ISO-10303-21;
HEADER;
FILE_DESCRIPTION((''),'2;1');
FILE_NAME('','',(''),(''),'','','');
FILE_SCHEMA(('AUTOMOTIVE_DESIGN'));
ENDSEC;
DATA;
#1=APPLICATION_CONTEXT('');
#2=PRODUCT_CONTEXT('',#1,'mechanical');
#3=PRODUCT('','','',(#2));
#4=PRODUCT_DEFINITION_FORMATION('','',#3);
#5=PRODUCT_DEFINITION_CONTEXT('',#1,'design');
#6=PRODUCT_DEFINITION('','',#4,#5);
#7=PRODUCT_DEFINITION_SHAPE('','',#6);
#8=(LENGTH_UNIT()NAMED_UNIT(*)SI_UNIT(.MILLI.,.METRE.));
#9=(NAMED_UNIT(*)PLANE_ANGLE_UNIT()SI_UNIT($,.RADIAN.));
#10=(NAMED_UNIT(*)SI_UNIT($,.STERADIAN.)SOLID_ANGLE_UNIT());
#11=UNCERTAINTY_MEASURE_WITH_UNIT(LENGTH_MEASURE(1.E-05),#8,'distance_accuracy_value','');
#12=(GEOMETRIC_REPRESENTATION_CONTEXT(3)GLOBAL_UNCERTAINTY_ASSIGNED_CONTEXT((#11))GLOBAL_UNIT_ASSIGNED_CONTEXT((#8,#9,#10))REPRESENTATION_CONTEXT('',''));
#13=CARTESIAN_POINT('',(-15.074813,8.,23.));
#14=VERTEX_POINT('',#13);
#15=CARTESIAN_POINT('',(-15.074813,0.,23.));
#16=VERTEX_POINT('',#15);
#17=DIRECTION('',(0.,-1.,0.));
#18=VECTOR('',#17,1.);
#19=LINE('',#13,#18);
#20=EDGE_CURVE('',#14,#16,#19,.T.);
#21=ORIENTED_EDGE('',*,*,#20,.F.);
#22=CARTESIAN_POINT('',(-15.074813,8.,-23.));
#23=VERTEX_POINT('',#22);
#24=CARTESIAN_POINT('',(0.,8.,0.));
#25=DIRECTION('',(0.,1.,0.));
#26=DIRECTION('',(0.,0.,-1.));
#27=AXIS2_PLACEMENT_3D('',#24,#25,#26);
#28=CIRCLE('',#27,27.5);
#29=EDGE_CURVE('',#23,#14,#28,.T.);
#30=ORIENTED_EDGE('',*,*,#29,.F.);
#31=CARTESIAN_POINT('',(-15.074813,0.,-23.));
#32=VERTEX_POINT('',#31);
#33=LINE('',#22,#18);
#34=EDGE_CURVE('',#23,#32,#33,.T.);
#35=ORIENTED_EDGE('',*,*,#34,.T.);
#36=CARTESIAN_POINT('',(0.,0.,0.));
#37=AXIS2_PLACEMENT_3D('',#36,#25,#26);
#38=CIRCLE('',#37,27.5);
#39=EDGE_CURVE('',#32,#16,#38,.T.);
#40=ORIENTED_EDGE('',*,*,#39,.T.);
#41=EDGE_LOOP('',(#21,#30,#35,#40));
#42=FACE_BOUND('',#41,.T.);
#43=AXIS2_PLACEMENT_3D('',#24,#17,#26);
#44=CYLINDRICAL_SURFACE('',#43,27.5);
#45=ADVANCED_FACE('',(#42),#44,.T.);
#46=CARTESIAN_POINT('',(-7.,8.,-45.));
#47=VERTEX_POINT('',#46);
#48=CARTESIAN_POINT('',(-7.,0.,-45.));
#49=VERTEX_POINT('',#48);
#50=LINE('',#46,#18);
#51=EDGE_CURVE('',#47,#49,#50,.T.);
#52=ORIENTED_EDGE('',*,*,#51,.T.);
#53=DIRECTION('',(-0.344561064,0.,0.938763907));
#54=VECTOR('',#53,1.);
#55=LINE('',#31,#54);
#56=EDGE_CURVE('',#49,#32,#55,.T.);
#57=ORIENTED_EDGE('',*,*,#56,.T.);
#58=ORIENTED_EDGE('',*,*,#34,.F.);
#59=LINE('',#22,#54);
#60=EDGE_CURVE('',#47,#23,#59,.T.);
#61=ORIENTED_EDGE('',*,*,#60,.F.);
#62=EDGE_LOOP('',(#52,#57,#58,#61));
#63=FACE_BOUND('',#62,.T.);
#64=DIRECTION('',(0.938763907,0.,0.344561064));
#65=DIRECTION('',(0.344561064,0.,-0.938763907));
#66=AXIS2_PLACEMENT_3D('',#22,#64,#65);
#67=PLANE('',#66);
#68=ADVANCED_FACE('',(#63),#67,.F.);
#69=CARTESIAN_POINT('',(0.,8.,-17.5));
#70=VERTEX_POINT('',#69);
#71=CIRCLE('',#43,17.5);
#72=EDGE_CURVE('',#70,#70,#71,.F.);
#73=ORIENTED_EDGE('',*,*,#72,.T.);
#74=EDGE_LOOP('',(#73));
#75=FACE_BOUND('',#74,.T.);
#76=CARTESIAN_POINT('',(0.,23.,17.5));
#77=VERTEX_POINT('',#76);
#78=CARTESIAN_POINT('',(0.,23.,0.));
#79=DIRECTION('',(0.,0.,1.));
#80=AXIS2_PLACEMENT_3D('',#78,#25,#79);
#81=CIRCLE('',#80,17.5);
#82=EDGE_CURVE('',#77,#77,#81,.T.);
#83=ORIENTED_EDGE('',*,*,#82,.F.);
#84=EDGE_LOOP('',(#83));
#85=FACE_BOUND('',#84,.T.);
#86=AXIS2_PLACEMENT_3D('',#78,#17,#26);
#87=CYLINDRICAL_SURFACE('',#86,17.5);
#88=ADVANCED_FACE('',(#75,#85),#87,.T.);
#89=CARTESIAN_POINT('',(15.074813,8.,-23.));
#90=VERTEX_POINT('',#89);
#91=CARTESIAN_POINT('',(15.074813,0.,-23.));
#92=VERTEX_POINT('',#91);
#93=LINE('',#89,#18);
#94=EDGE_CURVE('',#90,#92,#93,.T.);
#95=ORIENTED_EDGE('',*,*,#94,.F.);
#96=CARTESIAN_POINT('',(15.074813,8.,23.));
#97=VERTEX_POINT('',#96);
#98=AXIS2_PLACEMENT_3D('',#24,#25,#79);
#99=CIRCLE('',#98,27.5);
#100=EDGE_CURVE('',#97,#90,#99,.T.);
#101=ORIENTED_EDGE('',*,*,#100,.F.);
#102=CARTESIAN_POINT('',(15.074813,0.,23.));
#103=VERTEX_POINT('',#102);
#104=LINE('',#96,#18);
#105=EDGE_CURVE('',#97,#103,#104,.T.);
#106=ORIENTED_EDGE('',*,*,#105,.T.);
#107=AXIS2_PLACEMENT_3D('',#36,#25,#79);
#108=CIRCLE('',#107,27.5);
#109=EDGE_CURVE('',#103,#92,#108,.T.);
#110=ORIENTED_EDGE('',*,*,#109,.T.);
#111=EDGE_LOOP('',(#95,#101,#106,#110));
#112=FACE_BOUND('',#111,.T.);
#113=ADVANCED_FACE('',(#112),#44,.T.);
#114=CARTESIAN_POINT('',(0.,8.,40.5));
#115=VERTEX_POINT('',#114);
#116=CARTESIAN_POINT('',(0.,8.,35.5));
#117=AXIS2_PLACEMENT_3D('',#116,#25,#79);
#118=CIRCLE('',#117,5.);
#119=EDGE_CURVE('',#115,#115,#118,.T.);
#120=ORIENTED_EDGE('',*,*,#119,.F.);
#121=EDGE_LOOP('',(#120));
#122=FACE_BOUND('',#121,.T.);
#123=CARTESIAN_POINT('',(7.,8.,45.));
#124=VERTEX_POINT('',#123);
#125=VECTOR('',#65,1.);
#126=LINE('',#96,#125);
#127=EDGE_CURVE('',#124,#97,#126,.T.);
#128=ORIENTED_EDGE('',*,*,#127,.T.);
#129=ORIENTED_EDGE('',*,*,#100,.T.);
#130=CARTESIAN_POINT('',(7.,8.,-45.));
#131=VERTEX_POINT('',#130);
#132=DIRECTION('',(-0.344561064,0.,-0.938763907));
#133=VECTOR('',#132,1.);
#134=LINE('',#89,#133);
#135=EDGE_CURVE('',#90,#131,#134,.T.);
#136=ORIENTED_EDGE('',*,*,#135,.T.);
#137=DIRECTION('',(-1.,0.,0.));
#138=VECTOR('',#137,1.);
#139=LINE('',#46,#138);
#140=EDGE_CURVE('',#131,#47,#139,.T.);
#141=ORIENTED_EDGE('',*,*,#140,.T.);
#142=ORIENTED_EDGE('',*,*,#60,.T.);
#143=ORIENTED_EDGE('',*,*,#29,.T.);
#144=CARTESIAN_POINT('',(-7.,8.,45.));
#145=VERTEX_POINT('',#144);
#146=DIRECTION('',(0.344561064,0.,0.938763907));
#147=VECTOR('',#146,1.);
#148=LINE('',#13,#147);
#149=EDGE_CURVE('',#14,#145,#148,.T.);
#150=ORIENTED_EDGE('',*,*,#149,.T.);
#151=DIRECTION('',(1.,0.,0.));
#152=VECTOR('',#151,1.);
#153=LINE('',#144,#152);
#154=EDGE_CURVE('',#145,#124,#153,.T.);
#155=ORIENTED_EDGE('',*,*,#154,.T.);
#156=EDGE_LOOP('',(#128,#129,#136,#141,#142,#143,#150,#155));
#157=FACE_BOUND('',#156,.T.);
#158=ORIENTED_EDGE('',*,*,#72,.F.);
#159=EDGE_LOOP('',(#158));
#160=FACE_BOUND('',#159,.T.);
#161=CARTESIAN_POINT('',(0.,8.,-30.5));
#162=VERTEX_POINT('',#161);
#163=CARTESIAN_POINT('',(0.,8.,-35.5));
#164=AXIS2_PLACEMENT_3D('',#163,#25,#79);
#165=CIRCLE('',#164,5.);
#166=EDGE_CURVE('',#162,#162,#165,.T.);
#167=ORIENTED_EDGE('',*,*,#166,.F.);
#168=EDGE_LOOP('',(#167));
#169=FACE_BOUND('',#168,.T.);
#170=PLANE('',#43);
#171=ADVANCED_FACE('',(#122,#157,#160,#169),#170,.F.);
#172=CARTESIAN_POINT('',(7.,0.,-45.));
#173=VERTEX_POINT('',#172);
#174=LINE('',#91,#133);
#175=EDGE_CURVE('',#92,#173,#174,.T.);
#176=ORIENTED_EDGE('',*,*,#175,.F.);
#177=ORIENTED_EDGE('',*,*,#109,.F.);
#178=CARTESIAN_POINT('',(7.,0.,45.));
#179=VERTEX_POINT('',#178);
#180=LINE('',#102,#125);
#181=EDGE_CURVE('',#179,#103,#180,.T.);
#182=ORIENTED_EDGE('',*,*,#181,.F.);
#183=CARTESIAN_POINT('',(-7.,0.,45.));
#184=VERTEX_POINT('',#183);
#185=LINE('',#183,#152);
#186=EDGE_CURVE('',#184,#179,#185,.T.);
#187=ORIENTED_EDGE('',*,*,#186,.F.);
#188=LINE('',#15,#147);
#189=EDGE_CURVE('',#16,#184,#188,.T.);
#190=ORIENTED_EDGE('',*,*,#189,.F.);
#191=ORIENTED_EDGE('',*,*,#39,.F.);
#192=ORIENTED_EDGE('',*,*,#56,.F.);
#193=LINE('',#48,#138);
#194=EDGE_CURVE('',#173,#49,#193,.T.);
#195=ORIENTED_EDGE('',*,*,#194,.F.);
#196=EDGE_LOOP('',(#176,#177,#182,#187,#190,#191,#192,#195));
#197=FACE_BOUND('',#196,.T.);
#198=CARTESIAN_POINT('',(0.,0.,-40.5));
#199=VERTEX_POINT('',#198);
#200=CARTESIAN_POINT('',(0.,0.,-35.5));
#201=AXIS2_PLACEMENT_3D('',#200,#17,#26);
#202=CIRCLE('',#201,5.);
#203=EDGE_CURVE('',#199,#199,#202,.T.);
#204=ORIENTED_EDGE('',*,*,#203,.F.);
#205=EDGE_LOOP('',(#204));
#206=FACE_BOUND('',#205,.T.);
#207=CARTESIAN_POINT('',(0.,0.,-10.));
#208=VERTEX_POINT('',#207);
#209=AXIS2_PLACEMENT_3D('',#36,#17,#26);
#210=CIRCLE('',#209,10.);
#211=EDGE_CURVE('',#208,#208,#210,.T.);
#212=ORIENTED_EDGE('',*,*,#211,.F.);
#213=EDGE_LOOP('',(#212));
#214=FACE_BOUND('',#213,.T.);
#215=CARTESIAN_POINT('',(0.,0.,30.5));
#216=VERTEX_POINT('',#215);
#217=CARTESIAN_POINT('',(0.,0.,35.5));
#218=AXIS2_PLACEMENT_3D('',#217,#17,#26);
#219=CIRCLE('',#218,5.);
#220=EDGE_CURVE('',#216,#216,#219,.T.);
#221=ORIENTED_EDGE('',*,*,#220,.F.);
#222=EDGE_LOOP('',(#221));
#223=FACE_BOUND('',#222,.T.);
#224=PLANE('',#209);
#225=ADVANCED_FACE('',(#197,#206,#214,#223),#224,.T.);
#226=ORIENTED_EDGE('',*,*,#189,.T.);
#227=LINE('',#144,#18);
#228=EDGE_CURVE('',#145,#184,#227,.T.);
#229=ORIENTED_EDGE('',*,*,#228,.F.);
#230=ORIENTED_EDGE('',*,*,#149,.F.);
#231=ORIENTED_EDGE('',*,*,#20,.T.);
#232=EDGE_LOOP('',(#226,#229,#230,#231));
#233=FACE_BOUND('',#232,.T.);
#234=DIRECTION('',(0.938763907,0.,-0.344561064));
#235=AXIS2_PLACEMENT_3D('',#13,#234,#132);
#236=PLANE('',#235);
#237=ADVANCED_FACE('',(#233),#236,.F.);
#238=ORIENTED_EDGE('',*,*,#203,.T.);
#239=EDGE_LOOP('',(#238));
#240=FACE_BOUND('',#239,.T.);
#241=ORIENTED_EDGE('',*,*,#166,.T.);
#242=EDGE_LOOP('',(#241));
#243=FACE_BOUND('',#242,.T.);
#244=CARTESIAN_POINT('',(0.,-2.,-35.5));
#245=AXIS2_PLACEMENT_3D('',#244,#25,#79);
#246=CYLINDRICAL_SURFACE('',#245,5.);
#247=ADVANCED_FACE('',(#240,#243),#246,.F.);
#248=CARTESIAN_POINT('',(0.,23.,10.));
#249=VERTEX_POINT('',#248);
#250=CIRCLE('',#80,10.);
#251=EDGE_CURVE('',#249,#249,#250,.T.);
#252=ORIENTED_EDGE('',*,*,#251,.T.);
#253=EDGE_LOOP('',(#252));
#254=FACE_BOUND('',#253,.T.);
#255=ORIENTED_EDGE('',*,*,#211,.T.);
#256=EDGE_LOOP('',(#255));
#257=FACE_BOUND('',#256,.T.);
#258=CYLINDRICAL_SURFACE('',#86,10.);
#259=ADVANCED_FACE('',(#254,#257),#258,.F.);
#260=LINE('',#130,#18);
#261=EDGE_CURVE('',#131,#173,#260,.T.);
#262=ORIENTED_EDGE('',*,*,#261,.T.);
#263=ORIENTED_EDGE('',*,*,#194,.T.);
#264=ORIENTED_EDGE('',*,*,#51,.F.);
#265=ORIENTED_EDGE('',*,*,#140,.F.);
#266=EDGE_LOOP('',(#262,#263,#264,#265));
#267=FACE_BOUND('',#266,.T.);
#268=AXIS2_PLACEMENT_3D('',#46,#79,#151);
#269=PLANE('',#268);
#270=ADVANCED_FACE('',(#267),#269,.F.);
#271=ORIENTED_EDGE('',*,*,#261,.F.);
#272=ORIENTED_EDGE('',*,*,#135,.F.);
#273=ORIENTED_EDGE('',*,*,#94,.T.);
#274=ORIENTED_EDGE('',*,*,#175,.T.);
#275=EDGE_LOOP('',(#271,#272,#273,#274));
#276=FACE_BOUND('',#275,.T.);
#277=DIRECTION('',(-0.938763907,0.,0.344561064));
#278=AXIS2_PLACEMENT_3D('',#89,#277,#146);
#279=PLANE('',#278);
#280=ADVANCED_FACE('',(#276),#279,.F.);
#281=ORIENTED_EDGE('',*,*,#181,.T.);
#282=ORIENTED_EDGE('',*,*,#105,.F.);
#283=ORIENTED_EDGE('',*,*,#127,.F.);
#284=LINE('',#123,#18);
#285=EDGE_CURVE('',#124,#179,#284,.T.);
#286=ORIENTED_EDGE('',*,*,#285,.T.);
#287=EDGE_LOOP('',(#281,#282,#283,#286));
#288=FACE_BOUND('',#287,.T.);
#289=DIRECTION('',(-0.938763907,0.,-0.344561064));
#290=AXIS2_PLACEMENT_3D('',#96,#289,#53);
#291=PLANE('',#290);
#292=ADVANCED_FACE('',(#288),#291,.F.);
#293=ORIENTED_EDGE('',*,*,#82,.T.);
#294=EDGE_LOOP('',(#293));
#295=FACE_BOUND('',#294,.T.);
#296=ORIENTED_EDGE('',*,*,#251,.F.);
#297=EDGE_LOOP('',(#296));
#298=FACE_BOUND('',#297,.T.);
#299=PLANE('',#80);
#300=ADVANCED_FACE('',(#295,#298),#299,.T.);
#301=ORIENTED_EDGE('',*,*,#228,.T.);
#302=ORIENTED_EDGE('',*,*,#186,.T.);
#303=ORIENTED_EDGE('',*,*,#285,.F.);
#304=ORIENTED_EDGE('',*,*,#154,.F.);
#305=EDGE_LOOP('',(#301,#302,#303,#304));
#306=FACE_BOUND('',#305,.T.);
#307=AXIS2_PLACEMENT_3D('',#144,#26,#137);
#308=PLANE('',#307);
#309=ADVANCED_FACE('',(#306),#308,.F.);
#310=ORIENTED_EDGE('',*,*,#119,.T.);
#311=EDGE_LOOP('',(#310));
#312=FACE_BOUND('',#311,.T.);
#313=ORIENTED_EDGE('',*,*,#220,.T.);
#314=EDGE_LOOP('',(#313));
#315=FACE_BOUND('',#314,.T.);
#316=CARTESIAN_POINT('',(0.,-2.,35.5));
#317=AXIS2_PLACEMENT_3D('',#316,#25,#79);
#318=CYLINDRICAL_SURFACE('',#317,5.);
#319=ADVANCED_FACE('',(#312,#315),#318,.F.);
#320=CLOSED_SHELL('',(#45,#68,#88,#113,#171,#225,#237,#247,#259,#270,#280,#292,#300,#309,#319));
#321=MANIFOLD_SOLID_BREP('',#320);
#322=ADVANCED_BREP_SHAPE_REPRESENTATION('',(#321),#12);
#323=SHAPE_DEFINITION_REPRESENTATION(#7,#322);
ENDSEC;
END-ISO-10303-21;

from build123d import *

# Parameters (mm, degrees)
BOSS_EXTRU_1_DEPTH      = 8
ESQUISSE2_R             = 17.5
ESQUISSE2_R_2           = 10
BOSS_EXTRU_2_DEPTH      = 15
ENL_V_START             = -10
ESQUISSE3_R             = 10
ENL_V_MAT_EXTRU_1_DEPTH = 10
ESQUISSE4_R             = 5
ENL_V_MAT_EXTRU_2_DEPTH = 10


with BuildPart() as part:
    # Esquisse1 → Boss.-Extru.1 (new body)
    with BuildSketch(Plane(origin=(0, 0, 0), x_dir=(1, 0, 0), z_dir=(0, 1, 0))):
        with BuildLine():
            Line((-15.074813432, 23), (-7, 45))
            Line((-7, 45), (7, 45))
            Line((7, 45), (15.074813432, 23))
            ThreePointArc((15.074813432, 23), (27.5, 0), (15.074813432, -23))
            Line((15.074813432, -23), (7, -45))
            Line((7, -45), (-7, -45))
            Line((-7, -45), (-15.074813432, -23))
            ThreePointArc((-15.074813432, -23), (-27.5, 0), (-15.074813432, 23))
        make_face()
    extrude(amount=BOSS_EXTRU_1_DEPTH)

    # Esquisse2 → Boss.-Extru.2 (add)
    with BuildSketch(Plane(origin=(0, 8, 0), x_dir=(1, 0, 0), z_dir=(0, 1, 0))):
        with Locations(Location((0, 0, 0), (0, 0, 90))):
            Circle(ESQUISSE2_R)
        with Locations(Location((0, 0, 0), (0, 0, 270))):
            Circle(ESQUISSE2_R_2, mode=Mode.SUBTRACT)
    extrude(amount=BOSS_EXTRU_2_DEPTH)

    # Esquisse3 → Enlèv. mat.-Extru.1 (cut)
    with BuildSketch(Plane(origin=(0, 8, 0), x_dir=(1, 0, 0), z_dir=(0, 1, 0)).offset(ENL_V_START)):
        with Locations(Location((0, 0, 0), (0, 0, 90))):
            Circle(ESQUISSE3_R)
    extrude(amount=ENL_V_MAT_EXTRU_1_DEPTH, mode=Mode.SUBTRACT)

    # Esquisse4 → Enlèv. mat.-Extru.2 (cut)
    with BuildSketch(Plane(origin=(0, 8, 0), x_dir=(1, 0, 0), z_dir=(0, 1, 0))):
        with Locations(Location((0, 35.5, 0), (0, 0, 270))):
            Circle(ESQUISSE4_R)
        with Locations(Location((0, -35.5, 0), (0, 0, 270))):
            Circle(ESQUISSE4_R)
    extrude(amount=-ENL_V_MAT_EXTRU_2_DEPTH, mode=Mode.SUBTRACT)


solid = part.part
